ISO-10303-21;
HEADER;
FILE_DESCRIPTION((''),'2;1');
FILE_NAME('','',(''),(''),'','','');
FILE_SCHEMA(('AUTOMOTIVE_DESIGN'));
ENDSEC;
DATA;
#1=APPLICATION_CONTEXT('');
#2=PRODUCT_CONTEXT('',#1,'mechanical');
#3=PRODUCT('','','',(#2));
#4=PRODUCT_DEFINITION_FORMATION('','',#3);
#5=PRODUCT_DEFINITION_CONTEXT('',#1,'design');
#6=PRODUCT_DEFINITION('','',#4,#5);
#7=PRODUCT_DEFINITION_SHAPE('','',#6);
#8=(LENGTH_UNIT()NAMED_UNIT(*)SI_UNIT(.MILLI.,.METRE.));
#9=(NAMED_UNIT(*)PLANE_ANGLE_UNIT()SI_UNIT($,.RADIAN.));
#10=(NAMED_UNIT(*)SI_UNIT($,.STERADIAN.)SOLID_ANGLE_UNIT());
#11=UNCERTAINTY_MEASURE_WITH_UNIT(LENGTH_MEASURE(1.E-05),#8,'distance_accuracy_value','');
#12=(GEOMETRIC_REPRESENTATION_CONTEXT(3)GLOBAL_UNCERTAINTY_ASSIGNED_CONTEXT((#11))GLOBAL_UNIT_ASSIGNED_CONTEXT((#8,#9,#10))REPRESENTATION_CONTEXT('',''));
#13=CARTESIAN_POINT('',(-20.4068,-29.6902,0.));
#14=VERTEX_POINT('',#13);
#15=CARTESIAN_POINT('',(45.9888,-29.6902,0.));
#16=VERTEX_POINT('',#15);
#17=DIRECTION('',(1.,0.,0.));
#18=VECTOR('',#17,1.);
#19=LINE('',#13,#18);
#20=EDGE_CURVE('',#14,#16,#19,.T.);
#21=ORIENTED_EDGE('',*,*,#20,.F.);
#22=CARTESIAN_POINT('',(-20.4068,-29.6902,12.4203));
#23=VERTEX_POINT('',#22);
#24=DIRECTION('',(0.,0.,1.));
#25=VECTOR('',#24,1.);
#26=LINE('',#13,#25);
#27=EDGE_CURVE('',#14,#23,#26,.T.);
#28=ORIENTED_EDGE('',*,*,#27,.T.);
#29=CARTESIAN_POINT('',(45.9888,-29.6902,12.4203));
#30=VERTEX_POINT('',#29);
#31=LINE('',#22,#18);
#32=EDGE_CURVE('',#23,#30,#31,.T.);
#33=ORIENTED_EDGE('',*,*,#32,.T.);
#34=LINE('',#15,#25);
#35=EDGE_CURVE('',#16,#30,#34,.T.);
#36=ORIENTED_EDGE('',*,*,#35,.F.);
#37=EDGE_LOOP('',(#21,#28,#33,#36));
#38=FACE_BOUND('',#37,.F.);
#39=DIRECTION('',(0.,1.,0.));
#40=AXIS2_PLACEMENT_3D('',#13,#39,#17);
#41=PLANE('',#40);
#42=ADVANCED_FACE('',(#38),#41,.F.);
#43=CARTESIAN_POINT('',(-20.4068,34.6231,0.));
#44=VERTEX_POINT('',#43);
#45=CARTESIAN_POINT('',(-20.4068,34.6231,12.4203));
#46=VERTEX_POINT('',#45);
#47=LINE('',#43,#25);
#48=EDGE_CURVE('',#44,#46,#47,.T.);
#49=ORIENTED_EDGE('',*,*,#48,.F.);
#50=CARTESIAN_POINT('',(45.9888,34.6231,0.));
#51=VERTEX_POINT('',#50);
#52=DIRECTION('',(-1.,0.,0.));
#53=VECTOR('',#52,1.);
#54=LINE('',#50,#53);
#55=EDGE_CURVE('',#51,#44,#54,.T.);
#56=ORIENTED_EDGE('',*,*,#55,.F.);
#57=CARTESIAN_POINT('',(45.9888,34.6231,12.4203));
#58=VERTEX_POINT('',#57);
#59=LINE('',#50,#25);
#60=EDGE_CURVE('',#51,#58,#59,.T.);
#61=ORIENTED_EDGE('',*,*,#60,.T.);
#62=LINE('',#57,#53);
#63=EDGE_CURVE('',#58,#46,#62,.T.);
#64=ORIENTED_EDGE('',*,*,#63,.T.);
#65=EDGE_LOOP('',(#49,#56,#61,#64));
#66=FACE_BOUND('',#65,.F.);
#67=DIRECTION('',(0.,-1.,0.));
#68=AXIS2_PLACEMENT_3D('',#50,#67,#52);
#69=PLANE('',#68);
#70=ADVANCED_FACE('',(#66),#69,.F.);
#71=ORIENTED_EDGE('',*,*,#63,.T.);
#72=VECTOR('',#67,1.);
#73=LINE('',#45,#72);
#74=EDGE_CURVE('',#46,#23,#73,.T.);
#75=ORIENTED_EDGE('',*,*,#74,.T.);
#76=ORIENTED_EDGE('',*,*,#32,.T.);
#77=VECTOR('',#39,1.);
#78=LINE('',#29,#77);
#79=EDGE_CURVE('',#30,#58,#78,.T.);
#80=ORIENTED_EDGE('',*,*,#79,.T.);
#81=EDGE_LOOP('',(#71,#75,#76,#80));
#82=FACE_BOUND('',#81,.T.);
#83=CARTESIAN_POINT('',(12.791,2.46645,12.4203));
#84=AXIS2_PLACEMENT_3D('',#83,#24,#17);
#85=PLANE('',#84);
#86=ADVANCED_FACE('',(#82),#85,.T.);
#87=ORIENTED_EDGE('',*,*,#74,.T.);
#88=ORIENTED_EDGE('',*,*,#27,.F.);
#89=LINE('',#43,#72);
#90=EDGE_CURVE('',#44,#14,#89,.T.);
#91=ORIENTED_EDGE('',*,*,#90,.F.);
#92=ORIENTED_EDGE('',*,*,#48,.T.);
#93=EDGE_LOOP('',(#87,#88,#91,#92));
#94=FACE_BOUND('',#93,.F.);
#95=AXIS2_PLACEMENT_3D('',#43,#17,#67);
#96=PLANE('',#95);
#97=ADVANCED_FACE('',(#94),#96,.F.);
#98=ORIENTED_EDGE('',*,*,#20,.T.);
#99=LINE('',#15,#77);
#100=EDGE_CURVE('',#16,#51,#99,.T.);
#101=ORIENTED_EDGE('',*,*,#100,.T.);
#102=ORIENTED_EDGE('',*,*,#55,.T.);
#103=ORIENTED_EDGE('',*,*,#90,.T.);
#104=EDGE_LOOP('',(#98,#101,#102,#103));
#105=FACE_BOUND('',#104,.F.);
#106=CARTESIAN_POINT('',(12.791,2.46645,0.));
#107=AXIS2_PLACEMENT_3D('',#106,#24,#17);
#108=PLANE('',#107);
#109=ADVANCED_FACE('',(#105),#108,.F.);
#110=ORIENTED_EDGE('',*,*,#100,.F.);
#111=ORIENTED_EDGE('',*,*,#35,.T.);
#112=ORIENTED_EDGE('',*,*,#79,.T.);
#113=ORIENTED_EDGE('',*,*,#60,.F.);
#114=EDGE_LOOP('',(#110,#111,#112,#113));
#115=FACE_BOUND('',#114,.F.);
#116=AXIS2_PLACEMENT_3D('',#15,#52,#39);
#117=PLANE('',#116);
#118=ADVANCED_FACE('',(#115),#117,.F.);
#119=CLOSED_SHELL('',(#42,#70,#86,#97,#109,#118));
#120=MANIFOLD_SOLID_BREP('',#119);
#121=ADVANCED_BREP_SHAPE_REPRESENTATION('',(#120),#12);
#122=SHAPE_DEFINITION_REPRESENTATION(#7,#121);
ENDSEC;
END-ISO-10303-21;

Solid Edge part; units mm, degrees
sketch "Sketch1" plane through (0, 0, 0) normal (0, 0, 1) x (1, 0, 0)
  line L0 (-20.4068, -29.6902) -> (45.9888, -29.6902)
  line L1 (45.9888, -29.6902) -> (45.9888, 34.6231)
  line L2 (45.9888, 34.6231) -> (-20.4068, 34.6231)
  line L3 (-20.4068, 34.6231) -> (-20.4068, -29.6902)
extrude "Protrusion1" add sketch "Sketch1" along normal blind 12.4203
